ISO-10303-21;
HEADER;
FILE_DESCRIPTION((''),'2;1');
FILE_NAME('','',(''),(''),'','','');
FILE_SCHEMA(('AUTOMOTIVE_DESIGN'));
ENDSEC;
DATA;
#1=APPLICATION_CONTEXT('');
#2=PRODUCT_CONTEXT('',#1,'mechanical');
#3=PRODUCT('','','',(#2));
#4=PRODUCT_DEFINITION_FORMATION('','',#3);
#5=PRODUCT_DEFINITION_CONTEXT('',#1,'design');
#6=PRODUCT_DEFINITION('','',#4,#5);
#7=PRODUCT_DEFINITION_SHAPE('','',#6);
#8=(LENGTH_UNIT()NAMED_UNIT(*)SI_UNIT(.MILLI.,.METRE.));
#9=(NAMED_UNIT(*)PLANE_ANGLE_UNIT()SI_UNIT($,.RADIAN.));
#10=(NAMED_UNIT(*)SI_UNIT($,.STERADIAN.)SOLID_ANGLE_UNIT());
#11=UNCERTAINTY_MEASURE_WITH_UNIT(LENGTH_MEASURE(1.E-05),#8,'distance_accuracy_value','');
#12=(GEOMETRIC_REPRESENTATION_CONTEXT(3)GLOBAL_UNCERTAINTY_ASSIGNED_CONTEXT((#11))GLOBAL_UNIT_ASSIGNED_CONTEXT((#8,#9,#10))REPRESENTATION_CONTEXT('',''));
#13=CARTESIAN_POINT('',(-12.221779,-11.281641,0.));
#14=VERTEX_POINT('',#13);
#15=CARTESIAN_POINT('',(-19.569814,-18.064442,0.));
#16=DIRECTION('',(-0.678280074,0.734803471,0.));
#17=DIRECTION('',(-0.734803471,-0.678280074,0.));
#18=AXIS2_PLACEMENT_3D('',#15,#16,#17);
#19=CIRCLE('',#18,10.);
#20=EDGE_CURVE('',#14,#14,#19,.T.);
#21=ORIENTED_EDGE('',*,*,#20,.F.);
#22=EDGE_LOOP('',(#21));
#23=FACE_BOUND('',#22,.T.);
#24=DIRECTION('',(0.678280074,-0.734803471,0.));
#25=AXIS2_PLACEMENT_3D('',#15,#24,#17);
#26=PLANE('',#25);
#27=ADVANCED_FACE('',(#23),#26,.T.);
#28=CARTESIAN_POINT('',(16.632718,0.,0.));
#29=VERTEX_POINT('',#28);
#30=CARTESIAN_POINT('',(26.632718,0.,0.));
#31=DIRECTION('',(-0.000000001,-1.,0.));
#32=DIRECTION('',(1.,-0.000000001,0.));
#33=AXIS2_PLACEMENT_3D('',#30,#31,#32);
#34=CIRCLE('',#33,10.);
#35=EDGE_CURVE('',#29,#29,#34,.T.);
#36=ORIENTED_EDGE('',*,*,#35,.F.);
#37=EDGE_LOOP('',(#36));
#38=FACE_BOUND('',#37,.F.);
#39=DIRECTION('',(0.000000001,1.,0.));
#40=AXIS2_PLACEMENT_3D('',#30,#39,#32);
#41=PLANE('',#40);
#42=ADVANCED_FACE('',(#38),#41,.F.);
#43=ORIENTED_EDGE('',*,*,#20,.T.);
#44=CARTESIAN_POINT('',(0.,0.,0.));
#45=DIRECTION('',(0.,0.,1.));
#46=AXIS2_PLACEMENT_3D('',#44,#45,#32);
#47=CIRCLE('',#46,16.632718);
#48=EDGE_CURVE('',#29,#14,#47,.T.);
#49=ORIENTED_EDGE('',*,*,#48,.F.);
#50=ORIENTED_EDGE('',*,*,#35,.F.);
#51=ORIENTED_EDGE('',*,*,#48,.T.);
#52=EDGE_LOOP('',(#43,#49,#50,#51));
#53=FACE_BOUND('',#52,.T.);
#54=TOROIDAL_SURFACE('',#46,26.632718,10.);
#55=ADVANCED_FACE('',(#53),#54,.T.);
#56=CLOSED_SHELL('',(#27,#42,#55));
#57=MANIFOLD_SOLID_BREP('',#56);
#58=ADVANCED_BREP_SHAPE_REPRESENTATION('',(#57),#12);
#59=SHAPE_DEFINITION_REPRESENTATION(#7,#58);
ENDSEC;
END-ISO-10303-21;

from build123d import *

# Parameters (mm, degrees)
F2_R = 10


with BuildPart() as f3:
    # F3: sweep along a path in F0
    with BuildLine(Plane.XY) as f3_path:
        ThreePointArc((40, 0), (-14.565618, 37.253762), (-29.392139, -27.131203))
    # F2 (on face) → F3 (sweep)
    with BuildSketch(Plane(origin=(0, 0, 0), x_dir=(-1, 0, 0), z_dir=(0, 1, 0))):
        with Locations((-26.632718, 0)):
            Circle(F2_R)
    sweep(path=f3_path.line)


solid = f3.part
